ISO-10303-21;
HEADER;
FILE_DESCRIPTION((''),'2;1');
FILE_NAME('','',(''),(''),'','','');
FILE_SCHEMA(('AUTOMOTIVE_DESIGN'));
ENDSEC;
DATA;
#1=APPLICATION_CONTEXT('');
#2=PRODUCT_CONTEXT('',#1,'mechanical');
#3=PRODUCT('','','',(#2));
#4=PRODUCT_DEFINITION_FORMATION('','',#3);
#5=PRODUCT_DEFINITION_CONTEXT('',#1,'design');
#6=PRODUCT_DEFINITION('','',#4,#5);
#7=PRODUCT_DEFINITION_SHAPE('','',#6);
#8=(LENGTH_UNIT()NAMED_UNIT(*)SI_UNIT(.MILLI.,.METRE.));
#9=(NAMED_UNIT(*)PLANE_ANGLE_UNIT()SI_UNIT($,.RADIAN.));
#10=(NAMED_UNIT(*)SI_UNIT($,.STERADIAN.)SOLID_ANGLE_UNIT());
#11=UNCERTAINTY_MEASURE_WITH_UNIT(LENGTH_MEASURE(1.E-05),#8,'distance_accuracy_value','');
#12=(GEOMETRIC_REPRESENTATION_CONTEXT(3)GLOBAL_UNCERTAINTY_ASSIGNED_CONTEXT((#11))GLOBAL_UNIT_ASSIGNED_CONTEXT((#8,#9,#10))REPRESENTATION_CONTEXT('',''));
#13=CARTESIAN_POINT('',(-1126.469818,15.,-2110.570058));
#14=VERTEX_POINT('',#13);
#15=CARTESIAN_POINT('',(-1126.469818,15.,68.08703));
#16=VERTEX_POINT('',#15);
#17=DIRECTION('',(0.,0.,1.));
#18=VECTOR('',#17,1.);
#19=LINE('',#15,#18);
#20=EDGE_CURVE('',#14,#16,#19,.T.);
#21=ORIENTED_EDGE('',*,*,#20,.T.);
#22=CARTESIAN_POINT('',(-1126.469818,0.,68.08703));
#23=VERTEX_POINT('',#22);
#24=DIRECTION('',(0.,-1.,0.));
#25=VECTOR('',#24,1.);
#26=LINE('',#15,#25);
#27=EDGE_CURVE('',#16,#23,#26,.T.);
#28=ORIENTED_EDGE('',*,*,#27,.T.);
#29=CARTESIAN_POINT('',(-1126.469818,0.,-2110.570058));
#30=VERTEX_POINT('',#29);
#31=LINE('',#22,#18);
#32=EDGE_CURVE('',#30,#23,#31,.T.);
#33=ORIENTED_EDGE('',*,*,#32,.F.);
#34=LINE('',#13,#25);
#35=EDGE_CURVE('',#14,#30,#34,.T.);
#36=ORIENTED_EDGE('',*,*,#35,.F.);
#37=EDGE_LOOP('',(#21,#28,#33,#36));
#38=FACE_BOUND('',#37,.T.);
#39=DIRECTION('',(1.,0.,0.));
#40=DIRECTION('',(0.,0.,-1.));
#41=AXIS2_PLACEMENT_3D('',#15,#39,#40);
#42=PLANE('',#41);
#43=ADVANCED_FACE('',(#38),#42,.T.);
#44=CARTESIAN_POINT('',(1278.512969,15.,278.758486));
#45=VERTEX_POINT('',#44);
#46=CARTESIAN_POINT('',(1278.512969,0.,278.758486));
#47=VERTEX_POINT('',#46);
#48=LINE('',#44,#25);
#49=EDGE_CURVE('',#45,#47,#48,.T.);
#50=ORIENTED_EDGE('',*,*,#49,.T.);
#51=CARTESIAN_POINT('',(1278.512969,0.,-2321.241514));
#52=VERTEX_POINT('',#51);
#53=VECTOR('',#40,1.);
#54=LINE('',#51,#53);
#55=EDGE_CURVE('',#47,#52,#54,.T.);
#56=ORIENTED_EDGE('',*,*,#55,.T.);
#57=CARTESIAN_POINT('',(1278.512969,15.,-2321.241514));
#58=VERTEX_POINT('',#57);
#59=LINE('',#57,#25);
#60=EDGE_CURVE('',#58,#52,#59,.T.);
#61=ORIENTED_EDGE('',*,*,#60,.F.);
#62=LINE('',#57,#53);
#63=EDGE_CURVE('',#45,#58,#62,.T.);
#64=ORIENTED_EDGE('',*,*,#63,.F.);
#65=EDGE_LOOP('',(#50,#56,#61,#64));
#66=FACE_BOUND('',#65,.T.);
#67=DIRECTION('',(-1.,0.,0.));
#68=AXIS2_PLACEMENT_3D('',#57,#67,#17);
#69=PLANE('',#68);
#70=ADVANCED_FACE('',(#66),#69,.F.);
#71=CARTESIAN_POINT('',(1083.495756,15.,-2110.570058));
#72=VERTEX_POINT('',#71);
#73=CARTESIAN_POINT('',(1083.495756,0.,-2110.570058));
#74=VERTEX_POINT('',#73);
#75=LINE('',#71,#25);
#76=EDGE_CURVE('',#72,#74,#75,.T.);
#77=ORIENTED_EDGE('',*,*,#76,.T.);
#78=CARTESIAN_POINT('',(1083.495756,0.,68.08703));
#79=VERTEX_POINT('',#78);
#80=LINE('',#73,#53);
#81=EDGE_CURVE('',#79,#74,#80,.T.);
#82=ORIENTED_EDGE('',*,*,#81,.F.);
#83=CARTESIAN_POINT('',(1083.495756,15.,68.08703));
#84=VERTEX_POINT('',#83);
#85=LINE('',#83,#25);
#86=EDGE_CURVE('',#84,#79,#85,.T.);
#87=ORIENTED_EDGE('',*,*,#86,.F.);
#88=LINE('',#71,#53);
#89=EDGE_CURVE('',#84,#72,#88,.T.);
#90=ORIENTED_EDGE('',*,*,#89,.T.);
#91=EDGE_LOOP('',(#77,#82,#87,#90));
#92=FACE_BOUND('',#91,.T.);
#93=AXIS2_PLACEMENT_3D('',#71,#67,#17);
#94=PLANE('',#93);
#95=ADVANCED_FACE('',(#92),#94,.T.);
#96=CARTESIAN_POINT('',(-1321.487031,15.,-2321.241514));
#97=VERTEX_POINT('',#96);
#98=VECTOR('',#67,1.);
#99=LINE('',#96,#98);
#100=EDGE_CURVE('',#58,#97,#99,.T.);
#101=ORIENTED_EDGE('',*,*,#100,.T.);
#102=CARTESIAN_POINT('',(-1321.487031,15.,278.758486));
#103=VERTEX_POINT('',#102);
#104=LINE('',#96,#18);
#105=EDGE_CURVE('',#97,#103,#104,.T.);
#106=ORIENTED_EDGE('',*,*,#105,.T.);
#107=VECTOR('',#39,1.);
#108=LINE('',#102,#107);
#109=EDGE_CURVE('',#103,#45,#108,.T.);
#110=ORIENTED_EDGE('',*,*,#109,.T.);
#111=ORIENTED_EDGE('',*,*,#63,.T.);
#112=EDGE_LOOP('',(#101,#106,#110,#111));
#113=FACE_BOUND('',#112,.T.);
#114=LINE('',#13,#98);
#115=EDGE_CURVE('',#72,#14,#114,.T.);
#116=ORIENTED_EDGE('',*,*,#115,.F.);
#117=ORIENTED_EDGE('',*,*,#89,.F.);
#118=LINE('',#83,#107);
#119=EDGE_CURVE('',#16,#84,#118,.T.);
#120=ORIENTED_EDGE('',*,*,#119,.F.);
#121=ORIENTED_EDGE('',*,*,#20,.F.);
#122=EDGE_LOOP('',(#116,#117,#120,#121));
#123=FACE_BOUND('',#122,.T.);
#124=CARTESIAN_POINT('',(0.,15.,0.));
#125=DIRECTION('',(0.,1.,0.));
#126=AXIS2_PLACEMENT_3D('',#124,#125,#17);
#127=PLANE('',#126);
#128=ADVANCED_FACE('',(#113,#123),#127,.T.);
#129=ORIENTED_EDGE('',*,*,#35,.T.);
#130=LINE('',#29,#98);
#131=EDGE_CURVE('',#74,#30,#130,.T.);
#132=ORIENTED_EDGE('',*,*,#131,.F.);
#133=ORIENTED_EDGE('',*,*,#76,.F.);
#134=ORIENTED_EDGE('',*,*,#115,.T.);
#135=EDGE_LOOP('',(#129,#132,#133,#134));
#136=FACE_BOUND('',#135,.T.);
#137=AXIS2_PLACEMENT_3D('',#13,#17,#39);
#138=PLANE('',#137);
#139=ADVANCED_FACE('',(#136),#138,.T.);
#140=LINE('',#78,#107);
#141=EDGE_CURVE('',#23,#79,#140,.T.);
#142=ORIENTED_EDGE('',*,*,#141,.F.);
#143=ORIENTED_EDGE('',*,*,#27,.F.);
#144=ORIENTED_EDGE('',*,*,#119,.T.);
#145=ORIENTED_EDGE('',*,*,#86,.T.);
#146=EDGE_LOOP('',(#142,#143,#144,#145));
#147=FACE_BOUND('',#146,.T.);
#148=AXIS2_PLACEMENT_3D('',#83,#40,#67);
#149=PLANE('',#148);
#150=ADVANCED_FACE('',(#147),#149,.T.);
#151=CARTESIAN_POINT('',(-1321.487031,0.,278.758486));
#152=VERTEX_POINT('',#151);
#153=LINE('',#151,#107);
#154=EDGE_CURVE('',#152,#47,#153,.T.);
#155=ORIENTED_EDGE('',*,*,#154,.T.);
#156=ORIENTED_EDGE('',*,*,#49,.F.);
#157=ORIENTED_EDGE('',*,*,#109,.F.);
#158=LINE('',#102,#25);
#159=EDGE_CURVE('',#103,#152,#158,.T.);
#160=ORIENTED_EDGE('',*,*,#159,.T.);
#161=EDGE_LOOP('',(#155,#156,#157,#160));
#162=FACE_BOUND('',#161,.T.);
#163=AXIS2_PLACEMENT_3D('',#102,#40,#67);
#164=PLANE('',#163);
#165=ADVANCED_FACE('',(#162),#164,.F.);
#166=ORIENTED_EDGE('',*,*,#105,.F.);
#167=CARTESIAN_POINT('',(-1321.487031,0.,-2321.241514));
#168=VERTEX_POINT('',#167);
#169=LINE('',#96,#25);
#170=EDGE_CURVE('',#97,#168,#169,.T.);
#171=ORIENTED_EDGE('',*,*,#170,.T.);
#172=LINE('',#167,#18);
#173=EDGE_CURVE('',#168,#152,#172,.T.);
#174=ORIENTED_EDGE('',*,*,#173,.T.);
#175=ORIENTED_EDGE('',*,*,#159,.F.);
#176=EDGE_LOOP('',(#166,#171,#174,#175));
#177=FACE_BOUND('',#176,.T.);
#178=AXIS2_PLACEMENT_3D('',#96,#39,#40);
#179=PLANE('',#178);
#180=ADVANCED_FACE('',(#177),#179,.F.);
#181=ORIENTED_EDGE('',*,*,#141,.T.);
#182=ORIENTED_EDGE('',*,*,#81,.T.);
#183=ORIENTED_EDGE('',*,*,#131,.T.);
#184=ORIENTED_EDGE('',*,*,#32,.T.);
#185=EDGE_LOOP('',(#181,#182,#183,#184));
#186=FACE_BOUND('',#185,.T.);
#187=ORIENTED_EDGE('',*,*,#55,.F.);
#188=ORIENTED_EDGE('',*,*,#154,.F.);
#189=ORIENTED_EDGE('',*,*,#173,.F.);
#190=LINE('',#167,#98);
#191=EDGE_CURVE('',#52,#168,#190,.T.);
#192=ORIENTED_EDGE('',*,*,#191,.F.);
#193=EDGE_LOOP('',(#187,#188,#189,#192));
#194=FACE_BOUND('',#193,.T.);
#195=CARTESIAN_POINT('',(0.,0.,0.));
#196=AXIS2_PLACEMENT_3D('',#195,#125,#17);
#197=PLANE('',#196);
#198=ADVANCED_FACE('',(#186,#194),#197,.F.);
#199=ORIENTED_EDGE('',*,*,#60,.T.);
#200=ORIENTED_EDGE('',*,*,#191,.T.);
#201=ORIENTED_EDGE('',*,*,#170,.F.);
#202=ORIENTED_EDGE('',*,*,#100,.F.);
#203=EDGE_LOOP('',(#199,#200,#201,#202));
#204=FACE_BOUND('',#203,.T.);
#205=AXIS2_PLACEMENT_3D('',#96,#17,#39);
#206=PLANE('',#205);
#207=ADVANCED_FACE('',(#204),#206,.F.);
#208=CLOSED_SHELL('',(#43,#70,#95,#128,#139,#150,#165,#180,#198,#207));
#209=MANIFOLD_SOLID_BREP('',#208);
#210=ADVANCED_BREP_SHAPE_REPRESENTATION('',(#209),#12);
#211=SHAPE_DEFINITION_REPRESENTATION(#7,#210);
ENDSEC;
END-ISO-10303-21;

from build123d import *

# Parameters (mm, degrees)
SKETCH_3_W      = 2600
SKETCH_3_H      = 2600
SKETCH_3_W_2    = 2209.965574325
SKETCH_3_H_2    = 2178.657088224
EXTRUDE_2_DEPTH = 15


with BuildPart() as part:
    # 草图3 → 凸台-拉伸2 (new body)
    with BuildSketch(Plane(origin=(0, 0, 0), x_dir=(1, 0, 0), z_dir=(0, 1, 0))):
        with Locations((-21.487031147, 1021.241514165)):
            Rectangle(SKETCH_3_W, SKETCH_3_H)
        with Locations((-21.487031147, 1021.241514165)):
            Rectangle(SKETCH_3_W_2, SKETCH_3_H_2, mode=Mode.SUBTRACT)
    extrude(amount=EXTRUDE_2_DEPTH)


solid = part.part
